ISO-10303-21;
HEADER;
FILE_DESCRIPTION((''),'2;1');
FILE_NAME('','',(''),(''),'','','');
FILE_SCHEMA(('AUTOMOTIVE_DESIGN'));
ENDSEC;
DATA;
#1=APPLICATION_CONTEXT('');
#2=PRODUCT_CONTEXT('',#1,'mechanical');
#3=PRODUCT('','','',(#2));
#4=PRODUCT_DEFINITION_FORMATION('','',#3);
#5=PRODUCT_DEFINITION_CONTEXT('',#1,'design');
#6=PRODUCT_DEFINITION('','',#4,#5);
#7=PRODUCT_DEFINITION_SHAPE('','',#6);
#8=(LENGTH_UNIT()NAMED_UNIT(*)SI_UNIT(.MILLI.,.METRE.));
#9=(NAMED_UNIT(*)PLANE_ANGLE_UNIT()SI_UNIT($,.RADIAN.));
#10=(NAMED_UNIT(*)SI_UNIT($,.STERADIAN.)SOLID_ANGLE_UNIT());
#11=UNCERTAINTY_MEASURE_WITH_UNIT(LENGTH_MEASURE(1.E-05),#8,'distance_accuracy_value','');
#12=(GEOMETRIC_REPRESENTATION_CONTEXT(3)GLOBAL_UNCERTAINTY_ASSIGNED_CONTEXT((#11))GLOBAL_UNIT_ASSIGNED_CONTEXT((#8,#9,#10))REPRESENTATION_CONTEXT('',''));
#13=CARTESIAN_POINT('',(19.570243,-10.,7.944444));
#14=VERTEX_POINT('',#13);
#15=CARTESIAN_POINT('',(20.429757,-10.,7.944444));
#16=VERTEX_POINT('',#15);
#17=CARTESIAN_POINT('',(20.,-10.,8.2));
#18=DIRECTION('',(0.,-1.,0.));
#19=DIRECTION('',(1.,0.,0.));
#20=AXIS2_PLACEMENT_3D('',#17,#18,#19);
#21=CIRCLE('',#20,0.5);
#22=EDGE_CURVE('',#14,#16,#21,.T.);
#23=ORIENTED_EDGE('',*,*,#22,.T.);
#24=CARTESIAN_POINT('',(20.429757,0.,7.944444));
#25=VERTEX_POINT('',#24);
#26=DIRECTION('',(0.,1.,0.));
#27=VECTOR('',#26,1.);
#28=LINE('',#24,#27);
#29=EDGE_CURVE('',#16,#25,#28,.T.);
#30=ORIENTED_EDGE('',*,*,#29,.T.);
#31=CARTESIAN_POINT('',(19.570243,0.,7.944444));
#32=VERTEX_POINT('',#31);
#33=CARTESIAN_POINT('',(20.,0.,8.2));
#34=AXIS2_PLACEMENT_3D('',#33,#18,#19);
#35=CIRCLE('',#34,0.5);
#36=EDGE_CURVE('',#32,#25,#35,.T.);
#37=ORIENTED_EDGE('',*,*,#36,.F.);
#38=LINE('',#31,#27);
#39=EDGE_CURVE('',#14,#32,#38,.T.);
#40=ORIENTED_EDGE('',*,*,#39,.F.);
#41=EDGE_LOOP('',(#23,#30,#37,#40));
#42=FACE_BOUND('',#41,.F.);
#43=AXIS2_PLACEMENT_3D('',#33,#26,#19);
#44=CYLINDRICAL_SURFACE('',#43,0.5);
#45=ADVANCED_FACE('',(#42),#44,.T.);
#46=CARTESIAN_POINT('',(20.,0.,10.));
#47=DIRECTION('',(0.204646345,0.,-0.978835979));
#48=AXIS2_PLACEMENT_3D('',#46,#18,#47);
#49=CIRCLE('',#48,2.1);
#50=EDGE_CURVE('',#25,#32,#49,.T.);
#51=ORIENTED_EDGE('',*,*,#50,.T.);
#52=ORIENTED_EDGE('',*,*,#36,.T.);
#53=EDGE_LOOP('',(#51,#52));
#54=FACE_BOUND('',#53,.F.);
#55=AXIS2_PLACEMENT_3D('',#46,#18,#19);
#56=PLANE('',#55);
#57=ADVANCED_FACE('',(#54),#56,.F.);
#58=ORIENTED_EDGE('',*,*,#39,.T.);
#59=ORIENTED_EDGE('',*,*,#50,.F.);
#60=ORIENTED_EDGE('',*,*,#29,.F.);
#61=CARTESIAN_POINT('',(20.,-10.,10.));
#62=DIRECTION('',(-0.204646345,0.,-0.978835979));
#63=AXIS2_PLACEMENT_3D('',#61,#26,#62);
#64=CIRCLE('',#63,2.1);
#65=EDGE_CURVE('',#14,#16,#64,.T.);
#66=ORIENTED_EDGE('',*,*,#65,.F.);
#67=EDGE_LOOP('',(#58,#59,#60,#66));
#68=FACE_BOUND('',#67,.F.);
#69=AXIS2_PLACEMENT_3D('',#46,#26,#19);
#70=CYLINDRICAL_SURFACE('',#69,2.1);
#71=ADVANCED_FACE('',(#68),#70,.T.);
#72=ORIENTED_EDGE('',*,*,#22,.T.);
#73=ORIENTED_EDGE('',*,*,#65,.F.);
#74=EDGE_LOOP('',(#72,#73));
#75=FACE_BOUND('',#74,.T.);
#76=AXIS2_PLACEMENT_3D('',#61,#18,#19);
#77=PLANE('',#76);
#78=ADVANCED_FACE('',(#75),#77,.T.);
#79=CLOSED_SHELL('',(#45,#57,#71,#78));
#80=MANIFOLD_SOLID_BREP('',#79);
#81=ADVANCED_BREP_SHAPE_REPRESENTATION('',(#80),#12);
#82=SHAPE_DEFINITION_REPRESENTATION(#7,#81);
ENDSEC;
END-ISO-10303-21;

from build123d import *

# Parameters (mm, degrees)
CYLINDER011_R     = 2.1
CYLINDER011_DEPTH = 10
CYLINDER009_R     = 0.5
CYLINDER009_DEPTH = 10


with BuildPart() as cylinder011:
    # Cylinder011 → Cylinder011 (new body)
    with BuildSketch(Plane(origin=(10, 0, 10), x_dir=(1, 0, 0), z_dir=(0, -1, 0))):
        Circle(CYLINDER011_R)
    extrude(amount=CYLINDER011_DEPTH)


with BuildPart() as fusion014018:
    # Cylinder009 → Cylinder009 (new body)
    with BuildSketch(Plane(origin=(10, 0, 8.2), x_dir=(1, 0, 0), z_dir=(0, -1, 0))):
        Circle(CYLINDER009_R)
    extrude(amount=CYLINDER009_DEPTH)

    # Fusion014018: union Cylinder011
    add(cylinder011.part)


with BuildPart() as fusion014018_1:
    # Fusion014018 placement: moved
    add(fusion014018.part.moved(Location((10, 0, 0))))


solid = fusion014018_1.part
